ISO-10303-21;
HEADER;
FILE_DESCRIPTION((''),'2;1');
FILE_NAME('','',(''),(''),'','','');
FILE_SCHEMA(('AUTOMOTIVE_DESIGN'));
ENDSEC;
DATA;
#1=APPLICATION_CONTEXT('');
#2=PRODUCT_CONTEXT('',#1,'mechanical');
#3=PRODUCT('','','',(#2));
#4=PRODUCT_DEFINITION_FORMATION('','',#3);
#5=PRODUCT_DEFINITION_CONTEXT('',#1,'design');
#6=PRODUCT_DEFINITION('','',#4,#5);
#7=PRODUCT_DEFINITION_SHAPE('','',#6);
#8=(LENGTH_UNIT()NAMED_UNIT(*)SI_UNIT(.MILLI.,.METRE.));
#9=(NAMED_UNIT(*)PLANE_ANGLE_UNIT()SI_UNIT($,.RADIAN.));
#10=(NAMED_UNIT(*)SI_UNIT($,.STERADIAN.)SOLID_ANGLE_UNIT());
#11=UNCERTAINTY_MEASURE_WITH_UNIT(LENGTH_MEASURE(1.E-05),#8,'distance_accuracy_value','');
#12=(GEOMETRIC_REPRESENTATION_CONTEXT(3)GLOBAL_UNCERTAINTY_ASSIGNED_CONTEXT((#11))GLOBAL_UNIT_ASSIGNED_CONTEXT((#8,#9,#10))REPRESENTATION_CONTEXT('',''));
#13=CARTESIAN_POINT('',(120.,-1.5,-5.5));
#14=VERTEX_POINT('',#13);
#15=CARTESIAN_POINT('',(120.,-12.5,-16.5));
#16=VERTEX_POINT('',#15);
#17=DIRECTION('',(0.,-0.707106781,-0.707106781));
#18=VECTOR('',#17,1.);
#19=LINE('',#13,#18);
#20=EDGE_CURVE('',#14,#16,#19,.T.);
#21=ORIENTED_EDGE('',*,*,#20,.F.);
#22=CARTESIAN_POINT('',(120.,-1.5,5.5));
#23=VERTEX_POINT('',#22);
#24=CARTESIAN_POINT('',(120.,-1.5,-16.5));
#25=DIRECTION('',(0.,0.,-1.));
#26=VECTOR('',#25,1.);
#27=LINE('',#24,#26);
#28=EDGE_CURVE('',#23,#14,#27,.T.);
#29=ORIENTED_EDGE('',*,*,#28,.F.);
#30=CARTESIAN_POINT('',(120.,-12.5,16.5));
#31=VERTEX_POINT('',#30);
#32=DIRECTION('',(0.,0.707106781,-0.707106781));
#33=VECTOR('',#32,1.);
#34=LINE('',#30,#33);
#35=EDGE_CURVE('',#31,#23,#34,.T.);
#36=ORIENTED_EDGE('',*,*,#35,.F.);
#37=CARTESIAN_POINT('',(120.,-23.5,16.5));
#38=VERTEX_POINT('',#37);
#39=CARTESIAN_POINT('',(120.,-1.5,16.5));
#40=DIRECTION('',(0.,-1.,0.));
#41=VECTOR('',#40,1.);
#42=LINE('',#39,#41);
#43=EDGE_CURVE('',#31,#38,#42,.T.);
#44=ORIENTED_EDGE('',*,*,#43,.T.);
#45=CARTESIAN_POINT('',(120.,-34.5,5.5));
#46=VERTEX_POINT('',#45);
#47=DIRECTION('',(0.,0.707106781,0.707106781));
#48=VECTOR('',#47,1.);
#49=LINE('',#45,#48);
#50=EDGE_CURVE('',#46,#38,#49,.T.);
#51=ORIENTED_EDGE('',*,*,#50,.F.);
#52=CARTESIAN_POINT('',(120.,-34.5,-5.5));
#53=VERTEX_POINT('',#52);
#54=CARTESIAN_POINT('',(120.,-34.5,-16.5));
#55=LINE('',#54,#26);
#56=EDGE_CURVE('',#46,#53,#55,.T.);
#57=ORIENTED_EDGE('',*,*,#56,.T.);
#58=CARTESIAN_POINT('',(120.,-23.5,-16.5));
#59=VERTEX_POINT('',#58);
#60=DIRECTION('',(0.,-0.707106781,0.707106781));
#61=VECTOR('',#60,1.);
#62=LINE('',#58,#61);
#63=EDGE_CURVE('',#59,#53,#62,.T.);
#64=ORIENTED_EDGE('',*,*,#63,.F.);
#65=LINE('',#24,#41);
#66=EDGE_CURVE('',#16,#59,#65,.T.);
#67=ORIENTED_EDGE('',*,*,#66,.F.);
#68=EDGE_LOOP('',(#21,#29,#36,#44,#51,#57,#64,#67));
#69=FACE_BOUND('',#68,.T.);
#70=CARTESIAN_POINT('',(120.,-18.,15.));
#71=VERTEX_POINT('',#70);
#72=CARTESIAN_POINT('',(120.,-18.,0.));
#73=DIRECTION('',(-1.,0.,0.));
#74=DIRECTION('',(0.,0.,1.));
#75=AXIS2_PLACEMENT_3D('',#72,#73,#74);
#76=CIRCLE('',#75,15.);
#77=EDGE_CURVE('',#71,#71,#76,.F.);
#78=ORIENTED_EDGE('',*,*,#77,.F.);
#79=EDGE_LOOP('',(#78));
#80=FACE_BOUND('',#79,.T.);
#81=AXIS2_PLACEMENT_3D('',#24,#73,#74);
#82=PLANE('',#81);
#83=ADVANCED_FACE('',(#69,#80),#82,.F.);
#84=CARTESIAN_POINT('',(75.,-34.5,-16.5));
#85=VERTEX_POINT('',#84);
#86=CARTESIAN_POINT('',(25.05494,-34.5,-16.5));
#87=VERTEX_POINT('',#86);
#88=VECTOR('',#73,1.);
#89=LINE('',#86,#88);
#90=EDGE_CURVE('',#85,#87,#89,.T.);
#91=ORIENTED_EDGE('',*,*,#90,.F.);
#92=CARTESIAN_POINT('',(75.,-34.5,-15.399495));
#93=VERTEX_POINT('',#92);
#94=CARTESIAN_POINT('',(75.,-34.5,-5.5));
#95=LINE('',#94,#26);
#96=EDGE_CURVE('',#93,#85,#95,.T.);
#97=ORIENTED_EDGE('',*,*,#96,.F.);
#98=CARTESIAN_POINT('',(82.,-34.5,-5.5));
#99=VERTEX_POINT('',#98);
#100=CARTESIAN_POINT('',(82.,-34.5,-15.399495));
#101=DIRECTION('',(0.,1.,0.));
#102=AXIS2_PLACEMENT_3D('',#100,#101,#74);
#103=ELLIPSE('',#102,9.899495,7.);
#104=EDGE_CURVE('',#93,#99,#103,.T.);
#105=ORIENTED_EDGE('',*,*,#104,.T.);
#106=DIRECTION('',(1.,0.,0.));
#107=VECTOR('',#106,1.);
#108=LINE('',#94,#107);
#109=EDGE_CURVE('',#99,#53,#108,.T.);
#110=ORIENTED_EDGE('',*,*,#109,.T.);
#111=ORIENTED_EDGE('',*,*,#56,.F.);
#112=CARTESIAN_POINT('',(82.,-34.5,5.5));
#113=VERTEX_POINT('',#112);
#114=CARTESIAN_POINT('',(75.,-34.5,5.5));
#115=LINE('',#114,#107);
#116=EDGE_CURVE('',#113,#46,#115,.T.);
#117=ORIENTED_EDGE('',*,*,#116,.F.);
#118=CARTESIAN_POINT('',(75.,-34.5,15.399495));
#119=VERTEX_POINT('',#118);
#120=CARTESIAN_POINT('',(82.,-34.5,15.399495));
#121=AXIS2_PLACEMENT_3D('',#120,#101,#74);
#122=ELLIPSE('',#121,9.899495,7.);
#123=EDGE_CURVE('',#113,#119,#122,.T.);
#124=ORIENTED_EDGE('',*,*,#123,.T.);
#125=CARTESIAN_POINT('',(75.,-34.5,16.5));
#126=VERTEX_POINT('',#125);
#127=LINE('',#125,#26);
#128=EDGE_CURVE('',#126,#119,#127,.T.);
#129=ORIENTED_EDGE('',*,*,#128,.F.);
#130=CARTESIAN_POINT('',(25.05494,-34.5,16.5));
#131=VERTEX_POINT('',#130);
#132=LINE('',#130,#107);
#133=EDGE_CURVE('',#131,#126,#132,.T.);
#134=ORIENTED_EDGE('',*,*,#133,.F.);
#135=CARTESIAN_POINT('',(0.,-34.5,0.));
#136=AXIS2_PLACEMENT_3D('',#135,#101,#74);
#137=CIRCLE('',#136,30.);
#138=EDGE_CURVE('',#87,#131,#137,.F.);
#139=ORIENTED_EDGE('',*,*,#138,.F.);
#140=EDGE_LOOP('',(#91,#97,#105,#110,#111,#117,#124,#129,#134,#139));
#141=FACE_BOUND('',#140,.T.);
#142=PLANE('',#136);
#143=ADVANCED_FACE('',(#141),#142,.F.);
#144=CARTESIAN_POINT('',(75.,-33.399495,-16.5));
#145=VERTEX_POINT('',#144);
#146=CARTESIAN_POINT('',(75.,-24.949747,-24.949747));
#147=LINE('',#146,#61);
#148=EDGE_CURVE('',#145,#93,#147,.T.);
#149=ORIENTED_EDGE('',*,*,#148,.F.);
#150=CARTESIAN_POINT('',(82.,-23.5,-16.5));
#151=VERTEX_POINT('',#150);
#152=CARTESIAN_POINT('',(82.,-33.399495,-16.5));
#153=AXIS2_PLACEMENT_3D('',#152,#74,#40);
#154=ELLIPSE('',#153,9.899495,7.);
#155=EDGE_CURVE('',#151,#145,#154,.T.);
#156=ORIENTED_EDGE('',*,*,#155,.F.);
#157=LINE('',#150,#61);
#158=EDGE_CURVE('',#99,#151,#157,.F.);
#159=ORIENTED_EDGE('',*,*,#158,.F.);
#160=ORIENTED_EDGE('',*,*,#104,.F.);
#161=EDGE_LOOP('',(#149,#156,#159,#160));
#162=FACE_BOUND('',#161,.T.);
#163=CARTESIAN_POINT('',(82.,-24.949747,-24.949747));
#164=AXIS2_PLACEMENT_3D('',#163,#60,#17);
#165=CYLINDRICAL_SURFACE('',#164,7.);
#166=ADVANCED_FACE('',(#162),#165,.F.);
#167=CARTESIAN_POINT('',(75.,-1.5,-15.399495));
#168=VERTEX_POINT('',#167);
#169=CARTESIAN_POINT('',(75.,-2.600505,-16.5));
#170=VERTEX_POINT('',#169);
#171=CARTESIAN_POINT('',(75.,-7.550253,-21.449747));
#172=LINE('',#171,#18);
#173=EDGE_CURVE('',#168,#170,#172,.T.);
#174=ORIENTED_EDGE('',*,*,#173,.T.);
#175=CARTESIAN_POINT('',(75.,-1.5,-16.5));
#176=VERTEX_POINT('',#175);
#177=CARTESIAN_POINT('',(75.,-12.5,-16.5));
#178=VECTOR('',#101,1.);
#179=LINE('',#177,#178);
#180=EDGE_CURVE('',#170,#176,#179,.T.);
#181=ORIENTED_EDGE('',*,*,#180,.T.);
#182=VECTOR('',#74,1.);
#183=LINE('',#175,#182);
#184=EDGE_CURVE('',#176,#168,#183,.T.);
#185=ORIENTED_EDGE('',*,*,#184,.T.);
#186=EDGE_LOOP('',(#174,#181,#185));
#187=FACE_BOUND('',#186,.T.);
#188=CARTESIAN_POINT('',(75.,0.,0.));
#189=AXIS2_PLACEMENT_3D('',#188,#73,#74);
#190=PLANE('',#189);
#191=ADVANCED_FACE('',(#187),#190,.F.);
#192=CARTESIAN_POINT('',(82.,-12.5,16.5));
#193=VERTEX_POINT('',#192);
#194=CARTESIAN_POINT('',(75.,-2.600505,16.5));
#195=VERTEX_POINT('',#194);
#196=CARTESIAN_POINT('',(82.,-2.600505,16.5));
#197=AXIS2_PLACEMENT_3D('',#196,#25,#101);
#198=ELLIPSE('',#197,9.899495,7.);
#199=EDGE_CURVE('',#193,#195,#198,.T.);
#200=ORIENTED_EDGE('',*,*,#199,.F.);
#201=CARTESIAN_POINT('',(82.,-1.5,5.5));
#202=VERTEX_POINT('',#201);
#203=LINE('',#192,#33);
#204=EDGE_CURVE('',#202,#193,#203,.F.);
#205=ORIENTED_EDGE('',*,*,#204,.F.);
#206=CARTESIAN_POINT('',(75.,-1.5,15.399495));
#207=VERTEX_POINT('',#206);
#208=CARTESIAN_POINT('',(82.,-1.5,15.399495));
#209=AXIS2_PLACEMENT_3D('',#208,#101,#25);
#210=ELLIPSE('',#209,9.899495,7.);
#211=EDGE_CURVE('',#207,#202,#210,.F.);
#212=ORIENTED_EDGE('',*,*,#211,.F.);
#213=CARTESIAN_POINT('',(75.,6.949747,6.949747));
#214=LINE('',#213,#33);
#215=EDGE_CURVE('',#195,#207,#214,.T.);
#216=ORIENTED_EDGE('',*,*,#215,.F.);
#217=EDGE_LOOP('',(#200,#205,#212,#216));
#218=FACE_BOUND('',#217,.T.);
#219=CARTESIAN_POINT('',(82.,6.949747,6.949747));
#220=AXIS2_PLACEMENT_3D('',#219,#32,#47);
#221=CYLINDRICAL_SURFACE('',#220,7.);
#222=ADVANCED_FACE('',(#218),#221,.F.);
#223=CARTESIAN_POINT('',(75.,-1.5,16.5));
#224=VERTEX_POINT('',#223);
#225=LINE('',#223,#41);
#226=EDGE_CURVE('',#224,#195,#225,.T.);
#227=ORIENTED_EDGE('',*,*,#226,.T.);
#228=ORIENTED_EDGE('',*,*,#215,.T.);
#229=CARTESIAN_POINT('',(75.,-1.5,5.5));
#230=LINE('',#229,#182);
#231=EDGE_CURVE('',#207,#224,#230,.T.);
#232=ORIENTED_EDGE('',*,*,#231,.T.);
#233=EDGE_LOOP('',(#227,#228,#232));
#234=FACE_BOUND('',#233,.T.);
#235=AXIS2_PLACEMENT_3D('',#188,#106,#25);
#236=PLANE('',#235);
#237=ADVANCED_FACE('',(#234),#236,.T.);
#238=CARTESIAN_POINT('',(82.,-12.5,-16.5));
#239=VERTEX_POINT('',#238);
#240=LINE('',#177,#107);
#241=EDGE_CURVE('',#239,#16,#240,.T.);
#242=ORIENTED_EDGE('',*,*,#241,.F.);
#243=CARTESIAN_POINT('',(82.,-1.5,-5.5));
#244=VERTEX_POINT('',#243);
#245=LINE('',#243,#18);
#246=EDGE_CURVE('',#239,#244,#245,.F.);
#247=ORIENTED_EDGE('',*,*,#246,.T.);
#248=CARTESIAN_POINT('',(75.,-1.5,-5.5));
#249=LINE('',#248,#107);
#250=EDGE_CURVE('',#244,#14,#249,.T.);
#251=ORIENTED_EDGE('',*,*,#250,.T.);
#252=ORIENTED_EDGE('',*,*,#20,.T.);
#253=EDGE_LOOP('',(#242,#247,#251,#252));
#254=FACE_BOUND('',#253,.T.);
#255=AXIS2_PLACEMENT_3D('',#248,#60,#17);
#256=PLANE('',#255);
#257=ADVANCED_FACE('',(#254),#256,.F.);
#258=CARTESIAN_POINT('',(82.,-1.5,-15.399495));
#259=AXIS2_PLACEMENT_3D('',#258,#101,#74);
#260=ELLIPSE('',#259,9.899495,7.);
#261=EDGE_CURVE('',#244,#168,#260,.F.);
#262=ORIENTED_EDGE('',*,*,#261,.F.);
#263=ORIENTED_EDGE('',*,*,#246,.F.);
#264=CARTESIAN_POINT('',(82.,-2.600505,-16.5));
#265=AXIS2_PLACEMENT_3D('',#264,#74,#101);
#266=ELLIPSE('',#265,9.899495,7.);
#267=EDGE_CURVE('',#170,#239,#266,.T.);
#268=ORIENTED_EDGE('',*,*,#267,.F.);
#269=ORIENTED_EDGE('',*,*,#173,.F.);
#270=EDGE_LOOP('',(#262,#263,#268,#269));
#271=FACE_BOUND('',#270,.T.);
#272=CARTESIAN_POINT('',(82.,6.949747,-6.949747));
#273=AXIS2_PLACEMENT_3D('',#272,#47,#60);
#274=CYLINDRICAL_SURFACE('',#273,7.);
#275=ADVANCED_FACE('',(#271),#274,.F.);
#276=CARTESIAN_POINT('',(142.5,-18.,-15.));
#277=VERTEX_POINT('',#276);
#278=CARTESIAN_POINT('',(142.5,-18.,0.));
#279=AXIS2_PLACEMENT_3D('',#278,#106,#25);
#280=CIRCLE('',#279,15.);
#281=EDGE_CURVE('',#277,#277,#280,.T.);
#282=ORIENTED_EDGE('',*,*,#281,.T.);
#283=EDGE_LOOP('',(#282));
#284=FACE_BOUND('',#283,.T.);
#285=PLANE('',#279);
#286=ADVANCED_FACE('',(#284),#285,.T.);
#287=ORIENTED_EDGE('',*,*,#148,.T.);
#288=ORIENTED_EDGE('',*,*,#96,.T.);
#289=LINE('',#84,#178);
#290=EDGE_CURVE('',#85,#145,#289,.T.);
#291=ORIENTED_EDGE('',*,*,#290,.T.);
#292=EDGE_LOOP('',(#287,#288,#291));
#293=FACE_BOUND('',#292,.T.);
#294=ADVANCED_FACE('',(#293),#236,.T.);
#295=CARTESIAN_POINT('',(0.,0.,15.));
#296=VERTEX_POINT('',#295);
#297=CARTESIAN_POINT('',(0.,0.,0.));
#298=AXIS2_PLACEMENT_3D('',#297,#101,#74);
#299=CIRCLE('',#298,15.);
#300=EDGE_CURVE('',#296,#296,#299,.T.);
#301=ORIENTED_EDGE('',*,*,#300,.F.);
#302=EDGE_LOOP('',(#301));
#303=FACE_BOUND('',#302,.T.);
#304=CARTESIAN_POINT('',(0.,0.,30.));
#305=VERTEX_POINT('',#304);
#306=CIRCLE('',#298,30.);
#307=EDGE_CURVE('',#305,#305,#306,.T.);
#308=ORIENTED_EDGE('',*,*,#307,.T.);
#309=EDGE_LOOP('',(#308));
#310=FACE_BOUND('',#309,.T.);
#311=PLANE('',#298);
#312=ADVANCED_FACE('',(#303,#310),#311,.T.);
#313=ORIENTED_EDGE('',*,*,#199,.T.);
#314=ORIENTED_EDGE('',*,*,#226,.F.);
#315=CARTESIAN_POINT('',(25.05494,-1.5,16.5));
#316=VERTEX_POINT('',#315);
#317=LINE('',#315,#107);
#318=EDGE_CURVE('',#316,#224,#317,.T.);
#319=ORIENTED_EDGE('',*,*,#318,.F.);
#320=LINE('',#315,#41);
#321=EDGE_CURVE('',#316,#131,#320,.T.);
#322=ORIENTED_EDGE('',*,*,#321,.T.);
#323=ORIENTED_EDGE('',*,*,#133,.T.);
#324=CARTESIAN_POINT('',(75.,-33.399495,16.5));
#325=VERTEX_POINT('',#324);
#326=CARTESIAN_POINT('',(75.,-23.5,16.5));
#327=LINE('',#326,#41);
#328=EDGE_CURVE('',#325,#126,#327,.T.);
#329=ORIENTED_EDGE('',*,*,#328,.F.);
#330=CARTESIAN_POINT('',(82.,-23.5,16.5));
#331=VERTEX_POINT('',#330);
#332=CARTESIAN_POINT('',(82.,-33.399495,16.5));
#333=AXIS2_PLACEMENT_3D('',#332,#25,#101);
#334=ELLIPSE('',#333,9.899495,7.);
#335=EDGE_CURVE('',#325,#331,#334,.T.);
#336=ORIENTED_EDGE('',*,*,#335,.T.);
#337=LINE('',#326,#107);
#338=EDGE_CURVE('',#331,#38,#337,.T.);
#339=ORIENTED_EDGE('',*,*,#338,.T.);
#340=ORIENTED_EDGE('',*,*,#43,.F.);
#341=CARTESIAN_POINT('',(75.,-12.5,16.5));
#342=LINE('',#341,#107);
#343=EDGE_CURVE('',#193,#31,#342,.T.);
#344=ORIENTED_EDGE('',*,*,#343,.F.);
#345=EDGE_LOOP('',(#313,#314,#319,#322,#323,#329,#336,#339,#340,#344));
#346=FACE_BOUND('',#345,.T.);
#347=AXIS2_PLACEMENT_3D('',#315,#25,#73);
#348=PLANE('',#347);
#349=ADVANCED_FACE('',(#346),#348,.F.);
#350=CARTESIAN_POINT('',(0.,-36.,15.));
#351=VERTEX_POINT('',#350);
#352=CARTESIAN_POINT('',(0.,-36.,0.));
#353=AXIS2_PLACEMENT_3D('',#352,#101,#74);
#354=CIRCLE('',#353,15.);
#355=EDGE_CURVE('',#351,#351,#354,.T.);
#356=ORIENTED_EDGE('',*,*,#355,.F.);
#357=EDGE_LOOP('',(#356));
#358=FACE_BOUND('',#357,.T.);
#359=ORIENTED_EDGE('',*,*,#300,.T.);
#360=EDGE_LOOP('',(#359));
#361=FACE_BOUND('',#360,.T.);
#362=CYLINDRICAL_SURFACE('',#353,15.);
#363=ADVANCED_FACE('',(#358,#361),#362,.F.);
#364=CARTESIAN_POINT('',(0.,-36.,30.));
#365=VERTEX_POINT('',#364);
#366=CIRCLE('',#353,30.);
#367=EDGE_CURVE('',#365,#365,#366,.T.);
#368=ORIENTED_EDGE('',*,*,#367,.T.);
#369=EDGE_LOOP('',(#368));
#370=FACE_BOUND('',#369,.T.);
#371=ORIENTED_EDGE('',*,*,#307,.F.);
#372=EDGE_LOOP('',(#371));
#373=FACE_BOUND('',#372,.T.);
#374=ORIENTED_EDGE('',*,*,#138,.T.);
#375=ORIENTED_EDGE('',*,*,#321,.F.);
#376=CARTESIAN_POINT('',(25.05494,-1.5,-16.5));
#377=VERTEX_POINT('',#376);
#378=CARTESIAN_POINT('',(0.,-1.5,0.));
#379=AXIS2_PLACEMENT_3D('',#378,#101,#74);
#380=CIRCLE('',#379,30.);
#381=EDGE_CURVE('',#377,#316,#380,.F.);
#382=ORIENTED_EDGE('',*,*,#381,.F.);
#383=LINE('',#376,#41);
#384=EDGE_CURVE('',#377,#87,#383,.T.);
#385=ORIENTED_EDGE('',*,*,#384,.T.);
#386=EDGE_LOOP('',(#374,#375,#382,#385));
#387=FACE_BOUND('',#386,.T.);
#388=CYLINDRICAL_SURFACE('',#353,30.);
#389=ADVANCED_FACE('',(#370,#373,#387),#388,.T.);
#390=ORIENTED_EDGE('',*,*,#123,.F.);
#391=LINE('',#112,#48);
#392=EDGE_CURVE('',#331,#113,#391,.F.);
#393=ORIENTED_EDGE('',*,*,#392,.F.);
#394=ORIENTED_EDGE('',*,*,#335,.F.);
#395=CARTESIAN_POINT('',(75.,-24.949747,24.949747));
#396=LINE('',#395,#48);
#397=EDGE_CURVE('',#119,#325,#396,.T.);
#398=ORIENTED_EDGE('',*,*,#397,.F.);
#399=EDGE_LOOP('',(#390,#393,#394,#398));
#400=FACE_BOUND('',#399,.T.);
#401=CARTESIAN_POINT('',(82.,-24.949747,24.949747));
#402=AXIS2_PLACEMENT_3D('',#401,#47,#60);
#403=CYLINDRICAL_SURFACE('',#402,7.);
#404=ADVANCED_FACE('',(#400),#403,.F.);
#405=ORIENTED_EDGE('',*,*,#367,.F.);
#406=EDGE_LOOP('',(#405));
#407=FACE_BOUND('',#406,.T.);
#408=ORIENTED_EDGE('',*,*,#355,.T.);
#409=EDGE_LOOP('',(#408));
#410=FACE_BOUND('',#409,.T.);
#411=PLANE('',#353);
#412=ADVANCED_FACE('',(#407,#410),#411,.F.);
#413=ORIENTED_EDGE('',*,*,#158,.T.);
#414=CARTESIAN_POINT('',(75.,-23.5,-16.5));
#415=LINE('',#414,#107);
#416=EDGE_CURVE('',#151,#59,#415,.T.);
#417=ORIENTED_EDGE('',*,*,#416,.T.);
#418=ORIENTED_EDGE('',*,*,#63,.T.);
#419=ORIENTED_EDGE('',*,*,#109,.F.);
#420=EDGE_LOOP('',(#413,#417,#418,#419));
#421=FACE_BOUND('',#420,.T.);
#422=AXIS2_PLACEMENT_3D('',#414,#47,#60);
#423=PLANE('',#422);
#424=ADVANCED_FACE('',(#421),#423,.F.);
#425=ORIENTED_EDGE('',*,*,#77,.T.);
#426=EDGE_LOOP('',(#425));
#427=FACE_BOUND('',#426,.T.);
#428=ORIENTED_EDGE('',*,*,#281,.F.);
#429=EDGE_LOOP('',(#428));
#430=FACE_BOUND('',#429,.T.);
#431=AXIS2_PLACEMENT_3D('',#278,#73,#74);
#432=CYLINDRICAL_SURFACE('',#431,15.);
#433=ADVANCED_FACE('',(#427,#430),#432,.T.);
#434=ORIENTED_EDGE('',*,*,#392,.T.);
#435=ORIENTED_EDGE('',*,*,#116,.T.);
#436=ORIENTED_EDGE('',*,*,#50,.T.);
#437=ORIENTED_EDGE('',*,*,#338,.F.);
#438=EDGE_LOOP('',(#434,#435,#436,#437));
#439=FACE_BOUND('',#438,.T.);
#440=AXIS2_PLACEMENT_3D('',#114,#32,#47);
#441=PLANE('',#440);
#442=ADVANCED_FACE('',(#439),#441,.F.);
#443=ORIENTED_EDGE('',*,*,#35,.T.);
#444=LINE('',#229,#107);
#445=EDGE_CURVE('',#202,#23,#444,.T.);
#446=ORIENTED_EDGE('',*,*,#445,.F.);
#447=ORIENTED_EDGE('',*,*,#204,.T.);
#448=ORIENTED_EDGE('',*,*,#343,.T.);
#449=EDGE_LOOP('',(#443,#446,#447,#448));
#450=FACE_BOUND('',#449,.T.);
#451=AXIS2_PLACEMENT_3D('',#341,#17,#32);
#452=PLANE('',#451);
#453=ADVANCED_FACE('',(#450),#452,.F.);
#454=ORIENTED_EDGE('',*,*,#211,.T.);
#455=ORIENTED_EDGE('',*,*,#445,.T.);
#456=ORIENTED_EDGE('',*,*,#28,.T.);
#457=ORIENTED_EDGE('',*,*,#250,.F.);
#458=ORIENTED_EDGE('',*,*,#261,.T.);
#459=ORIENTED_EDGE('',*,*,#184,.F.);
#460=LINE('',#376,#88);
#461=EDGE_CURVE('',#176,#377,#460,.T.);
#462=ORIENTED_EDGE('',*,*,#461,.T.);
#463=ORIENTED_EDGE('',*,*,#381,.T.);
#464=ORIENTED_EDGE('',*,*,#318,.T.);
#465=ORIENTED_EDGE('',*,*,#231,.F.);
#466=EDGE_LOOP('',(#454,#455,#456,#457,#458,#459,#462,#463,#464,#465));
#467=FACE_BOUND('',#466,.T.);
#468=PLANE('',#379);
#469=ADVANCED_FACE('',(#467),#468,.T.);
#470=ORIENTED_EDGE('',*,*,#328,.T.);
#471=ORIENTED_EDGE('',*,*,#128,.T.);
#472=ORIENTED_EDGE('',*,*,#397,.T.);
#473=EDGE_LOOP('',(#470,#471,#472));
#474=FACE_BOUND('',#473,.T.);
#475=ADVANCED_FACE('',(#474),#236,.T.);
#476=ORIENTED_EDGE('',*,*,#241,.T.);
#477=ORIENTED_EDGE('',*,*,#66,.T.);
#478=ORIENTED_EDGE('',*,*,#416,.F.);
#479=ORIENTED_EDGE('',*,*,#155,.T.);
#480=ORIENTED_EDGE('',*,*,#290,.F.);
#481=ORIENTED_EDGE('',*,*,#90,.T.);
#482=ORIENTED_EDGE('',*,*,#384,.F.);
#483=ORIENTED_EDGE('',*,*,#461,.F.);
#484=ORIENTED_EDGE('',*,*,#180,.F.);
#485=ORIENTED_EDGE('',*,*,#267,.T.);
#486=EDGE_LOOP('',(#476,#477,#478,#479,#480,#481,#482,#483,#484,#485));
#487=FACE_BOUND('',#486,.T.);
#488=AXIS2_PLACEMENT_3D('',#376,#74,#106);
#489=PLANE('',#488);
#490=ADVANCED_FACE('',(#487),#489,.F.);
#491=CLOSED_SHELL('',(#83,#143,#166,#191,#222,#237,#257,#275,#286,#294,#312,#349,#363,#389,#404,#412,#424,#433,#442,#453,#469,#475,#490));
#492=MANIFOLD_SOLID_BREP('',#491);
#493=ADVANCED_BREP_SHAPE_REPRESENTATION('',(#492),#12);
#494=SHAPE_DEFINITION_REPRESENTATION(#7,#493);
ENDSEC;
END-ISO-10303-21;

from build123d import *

# Parameters (mm, degrees)
SKETCH1_R           = 30
SKETCH1_R_2         = 15
BOSS_EXTRUDE1_DEPTH = 36
SKETCH2_W           = 94.945060367
SKETCH2_H           = 33
BOSS_EXTRUDE2_DEPTH = 16.5
CUT_EXTRUDE1_DEPTH  = 45
FILLET1_R           = 7
SKETCH4_R           = 15
BOSS_EXTRUDE3_DEPTH = 22.5


with BuildPart() as part:
    # Sketch1 → Boss-Extrude1 (new body)
    with BuildSketch(Plane(origin=(0, 0, 0), x_dir=(1, 0, 0), z_dir=(0, 1, 0))):
        Circle(SKETCH1_R)
        Circle(SKETCH1_R_2, mode=Mode.SUBTRACT)
    extrude(amount=-BOSS_EXTRUDE1_DEPTH)

    # Sketch2 → Boss-Extrude2 (add, symmetric)
    with BuildSketch(Plane(origin=(0, -18, 0), x_dir=(1, 0, 0), z_dir=(0, 1, 0))):
        with Locations((72.527469817, 0)):
            Rectangle(SKETCH2_W, SKETCH2_H)
    extrude(amount=BOSS_EXTRUDE2_DEPTH, both=True)

    # Sketch3 → Cut-Extrude1 (cut)
    with BuildSketch(Plane(origin=(120, 0, 0), x_dir=(0, 0, -1), z_dir=(1, 0, 0))):
        Polygon((5.5, -1.5), (16.5, -12.5), (16.5, -1.5), align=None)
        Polygon((16.5, -34.5), (16.5, -23.5), (5.5, -34.5), align=None)
        Polygon((-16.5, -34.5), (-5.5, -34.5), (-16.5, -23.5), align=None)
        Polygon((-16.5, -1.5), (-16.5, -12.5), (-5.5, -1.5), align=None)
    extrude(amount=-CUT_EXTRUDE1_DEPTH, mode=Mode.SUBTRACT)

    # Fillet1
    fillet1_edges = [part.edges().sort_by_distance(p)[0] for p in [
        (75, -7, 11),
        (75, -29, 11),
        (75, -29, -11),
        (75, -7, -11),
    ]]
    fillet(fillet1_edges, radius=FILLET1_R)

    # Sketch4 → Boss-Extrude3 (add, symmetric)
    with BuildSketch(Plane(origin=(120, 0, 0), x_dir=(0, 0, -1), z_dir=(1, 0, 0))):
        with Locations((0, -18)):
            Circle(SKETCH4_R)
    extrude(amount=BOSS_EXTRUDE3_DEPTH, both=True)


solid = part.part
